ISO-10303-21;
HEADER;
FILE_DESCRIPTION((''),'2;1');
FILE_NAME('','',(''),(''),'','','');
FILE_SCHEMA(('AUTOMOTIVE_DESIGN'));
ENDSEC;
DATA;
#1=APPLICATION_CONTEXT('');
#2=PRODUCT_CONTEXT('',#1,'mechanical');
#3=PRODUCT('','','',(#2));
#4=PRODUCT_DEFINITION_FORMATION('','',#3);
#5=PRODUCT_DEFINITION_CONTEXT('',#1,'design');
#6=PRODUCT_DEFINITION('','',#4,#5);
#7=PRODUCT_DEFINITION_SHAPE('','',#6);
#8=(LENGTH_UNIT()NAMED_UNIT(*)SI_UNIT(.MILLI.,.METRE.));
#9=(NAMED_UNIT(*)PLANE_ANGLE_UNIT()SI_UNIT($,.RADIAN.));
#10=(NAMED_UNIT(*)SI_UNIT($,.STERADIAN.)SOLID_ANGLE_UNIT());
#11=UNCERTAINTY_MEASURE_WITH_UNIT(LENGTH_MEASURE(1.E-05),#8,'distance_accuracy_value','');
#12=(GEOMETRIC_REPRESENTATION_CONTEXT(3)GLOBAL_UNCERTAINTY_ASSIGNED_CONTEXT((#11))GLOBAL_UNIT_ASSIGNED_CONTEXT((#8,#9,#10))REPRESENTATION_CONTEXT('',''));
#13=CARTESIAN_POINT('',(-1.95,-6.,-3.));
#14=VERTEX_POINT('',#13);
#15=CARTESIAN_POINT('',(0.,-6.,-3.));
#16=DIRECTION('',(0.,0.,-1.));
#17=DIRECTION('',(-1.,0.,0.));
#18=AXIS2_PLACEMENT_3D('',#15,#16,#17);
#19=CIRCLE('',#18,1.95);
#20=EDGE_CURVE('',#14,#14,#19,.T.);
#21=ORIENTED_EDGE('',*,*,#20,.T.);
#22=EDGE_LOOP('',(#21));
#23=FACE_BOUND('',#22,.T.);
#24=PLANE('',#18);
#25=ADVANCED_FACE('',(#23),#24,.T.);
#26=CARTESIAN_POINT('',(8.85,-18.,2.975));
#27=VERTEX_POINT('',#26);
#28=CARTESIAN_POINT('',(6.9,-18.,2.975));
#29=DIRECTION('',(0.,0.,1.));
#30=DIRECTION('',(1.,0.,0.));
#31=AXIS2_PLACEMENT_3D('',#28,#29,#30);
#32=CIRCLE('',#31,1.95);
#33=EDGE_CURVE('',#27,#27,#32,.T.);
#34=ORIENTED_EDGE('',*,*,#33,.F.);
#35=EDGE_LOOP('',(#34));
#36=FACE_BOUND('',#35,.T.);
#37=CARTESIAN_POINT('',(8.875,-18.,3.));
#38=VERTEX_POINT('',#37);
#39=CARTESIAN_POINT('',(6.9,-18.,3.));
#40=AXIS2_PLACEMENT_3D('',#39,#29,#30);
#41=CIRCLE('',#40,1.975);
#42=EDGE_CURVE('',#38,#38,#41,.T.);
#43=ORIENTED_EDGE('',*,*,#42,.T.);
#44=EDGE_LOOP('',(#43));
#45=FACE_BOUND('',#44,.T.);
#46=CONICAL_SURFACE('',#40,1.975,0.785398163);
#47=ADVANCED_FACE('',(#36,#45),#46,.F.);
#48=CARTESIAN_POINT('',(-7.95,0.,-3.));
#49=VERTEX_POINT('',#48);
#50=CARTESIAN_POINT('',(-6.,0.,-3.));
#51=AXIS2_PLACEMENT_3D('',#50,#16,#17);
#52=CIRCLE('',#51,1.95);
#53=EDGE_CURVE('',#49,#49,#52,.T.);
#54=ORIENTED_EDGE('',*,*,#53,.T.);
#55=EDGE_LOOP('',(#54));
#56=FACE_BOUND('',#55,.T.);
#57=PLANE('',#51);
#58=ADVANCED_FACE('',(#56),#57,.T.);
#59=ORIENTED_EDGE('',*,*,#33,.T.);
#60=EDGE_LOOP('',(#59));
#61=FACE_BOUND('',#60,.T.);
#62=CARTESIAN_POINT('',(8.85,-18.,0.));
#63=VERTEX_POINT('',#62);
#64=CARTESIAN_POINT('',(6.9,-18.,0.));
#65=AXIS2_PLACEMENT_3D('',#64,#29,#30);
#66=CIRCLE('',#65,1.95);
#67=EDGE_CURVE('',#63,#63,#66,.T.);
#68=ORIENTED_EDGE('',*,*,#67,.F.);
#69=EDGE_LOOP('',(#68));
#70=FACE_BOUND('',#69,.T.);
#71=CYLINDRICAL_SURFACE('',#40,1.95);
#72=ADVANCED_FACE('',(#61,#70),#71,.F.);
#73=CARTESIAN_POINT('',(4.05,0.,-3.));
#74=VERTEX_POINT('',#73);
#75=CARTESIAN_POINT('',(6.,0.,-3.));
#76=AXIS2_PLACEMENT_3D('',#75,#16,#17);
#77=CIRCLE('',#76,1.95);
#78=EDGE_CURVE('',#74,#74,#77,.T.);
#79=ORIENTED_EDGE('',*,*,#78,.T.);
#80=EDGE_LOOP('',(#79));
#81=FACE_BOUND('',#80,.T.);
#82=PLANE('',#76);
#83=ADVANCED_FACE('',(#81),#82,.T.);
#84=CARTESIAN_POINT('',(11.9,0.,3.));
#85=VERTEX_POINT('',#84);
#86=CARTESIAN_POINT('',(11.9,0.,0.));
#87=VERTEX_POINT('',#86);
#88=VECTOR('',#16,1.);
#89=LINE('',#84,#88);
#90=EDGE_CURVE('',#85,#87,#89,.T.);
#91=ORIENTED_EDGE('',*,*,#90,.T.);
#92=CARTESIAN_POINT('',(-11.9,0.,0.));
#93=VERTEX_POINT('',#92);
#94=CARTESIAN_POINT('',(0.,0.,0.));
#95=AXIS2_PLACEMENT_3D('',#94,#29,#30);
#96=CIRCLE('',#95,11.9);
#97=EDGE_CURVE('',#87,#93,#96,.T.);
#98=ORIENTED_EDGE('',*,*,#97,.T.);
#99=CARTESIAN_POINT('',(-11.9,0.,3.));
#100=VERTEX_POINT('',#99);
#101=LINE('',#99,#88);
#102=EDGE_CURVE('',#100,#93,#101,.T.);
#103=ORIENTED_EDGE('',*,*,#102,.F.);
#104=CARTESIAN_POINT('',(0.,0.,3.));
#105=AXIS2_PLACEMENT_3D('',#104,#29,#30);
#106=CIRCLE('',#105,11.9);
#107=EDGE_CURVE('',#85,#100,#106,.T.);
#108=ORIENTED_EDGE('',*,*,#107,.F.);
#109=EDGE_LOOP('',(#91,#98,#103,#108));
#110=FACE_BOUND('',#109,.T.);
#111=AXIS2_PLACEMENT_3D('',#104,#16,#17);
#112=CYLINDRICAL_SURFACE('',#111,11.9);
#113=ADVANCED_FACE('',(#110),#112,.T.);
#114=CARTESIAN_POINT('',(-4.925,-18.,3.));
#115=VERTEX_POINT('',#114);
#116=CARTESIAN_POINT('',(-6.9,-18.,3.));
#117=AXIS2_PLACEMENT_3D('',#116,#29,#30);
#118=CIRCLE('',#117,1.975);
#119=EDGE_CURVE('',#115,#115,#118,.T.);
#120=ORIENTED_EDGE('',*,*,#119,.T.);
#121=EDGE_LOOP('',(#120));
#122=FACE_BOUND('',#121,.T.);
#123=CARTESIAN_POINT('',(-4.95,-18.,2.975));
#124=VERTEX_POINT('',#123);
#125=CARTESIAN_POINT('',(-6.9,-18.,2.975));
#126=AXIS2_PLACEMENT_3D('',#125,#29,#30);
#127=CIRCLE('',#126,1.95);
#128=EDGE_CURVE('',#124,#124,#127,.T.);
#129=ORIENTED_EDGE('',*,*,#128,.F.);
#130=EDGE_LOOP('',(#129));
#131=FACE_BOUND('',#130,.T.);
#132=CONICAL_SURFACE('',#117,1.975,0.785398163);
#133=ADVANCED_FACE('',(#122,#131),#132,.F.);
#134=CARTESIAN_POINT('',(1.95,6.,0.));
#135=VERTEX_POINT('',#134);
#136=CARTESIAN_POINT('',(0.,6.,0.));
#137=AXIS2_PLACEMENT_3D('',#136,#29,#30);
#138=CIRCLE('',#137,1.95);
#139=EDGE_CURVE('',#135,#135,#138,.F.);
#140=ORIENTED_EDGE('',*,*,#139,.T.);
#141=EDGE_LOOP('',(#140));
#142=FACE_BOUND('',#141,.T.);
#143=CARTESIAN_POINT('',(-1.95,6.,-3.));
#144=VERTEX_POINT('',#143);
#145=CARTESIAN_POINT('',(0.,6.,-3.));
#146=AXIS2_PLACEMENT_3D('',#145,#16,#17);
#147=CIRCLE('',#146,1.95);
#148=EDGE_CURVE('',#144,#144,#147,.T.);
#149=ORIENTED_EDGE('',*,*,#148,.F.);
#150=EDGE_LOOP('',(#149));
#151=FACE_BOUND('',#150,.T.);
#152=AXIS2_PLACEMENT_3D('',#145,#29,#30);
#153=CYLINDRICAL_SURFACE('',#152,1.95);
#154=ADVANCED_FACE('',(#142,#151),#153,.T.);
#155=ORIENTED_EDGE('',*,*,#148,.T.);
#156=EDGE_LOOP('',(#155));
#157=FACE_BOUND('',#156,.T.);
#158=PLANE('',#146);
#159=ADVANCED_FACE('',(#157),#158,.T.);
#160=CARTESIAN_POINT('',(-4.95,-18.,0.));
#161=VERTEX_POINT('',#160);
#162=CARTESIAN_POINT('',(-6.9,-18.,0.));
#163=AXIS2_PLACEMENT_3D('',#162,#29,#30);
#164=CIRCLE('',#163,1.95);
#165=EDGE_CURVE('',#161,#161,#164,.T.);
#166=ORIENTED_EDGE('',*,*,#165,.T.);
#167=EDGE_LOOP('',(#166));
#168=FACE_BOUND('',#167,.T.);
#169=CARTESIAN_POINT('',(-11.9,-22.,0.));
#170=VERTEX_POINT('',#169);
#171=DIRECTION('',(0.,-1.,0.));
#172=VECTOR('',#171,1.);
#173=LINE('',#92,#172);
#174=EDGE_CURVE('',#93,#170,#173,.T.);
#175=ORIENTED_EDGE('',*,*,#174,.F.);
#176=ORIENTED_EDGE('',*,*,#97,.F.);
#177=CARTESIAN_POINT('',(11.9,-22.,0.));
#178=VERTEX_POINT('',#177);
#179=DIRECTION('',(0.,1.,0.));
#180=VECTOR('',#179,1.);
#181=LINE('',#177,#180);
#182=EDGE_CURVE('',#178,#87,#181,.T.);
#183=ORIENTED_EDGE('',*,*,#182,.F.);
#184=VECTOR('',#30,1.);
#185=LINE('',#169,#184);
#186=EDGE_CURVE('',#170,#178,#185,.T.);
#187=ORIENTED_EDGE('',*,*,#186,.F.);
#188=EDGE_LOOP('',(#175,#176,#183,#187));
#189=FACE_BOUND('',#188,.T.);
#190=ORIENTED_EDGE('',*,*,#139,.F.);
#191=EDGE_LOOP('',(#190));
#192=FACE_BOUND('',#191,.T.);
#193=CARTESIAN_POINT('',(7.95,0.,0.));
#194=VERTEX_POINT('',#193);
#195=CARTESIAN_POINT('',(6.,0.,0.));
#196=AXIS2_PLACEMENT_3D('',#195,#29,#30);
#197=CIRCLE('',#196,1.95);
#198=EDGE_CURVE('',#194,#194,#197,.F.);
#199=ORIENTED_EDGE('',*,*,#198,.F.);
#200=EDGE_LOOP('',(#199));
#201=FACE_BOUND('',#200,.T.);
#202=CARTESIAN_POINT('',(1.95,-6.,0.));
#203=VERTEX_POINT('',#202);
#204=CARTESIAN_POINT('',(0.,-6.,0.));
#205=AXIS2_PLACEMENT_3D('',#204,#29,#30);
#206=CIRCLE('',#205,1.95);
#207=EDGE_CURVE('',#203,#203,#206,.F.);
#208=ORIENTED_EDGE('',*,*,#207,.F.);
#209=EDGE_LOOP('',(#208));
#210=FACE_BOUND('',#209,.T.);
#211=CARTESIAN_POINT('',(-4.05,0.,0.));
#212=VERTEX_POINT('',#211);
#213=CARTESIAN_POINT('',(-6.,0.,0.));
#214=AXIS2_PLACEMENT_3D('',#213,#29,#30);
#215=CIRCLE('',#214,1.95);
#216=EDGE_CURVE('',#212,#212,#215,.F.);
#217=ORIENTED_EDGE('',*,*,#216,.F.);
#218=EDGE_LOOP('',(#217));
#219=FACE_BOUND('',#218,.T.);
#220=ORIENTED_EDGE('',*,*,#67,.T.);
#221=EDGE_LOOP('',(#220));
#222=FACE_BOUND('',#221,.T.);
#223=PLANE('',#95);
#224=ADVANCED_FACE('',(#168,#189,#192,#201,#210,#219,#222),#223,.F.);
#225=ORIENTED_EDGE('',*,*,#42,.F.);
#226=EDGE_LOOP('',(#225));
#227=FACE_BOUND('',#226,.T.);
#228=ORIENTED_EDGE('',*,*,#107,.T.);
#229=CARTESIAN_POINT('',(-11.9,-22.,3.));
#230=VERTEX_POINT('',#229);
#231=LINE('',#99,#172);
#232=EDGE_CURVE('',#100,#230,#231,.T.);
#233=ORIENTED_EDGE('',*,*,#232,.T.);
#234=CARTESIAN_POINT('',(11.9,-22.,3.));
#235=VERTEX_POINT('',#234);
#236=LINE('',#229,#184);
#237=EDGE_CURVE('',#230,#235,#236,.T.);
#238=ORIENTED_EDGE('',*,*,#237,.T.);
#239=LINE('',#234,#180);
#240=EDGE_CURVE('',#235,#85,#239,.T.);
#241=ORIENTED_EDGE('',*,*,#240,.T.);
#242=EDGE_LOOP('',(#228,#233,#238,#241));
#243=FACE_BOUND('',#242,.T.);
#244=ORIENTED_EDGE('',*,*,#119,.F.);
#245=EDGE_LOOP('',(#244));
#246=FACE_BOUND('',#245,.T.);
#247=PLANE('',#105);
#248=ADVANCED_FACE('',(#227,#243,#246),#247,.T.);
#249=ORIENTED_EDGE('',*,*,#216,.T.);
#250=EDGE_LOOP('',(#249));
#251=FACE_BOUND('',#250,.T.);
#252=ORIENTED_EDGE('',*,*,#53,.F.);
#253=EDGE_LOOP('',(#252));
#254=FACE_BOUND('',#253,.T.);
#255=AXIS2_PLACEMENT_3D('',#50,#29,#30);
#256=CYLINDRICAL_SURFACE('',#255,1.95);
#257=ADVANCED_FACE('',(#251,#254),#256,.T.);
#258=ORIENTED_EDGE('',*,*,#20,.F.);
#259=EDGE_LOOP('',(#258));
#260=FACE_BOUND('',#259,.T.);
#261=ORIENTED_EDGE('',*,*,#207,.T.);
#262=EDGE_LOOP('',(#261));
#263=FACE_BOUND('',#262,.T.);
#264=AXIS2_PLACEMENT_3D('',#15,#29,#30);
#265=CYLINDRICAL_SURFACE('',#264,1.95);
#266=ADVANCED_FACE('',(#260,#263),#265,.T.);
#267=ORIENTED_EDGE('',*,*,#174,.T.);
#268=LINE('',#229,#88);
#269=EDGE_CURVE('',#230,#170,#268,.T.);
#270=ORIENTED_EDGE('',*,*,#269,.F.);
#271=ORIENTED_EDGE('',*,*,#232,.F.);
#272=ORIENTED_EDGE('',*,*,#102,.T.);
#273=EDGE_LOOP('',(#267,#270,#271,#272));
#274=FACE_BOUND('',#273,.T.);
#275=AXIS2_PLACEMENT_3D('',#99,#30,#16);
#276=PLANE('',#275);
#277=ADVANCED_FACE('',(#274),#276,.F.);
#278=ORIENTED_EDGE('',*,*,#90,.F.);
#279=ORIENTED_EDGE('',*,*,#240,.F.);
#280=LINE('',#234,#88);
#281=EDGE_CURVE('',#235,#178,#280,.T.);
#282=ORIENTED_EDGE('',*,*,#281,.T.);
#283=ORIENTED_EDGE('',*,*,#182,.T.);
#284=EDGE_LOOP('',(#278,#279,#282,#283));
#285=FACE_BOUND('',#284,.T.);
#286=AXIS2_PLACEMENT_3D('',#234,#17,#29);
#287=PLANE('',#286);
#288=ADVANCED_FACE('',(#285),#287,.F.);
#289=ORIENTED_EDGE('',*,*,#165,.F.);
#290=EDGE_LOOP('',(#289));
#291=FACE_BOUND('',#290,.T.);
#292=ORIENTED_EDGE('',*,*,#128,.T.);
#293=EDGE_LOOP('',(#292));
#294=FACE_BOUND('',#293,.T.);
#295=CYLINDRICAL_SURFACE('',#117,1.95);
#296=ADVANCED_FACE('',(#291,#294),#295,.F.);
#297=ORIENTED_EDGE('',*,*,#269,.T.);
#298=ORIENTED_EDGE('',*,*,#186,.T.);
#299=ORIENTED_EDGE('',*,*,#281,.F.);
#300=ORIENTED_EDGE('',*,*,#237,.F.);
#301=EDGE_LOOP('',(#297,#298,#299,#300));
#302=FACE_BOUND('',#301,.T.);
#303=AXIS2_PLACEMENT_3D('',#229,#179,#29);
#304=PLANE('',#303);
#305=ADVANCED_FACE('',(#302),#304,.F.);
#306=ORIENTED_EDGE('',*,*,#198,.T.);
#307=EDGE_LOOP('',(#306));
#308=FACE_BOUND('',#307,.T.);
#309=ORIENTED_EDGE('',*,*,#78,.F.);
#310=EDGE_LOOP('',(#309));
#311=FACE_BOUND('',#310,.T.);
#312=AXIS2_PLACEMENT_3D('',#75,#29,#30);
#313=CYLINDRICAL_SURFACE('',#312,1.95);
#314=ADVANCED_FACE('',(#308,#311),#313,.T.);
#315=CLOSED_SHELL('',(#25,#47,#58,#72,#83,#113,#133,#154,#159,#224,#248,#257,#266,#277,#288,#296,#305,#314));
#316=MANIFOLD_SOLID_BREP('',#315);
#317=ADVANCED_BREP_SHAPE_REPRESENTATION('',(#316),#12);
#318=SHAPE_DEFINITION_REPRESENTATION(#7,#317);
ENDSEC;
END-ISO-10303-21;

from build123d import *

# Parameters (mm, degrees)
BOSS_EXTRUDE1_DEPTH              = 3
SKETCH2_R                        = 1.95
BOSS_EXTRUDE2_DEPTH              = 3
M3_5_CLEARANCE_HOLE1_D           = 3.9
M3_5_CLEARANCE_HOLE1_CSINK_D     = 3.95
M3_5_CLEARANCE_HOLE1_CSINK_ANGLE = 90


with BuildPart() as part:
    # Sketch1 → Boss-Extrude1 (new body)
    with BuildSketch(Plane.XY):
        with BuildLine():
            Line((-11.9, 0), (-11.9, -22))
            Line((-11.9, -22), (11.9, -22))
            Line((11.9, -22), (11.9, 0))
            ThreePointArc((11.9, 0), (0, 11.9), (-11.9, 0))
        make_face()
    extrude(amount=BOSS_EXTRUDE1_DEPTH)

    # Sketch2 → Boss-Extrude2 (add)
    with BuildSketch(Plane(origin=(0, 0, 0), x_dir=(-1, 0, 0), z_dir=(0, 0, -1))):
        with Locations(Location((0, 6, 0), (0, 0, 180))):
            Circle(SKETCH2_R)
        with Locations(Location((6, 0, 0), (0, 0, 180))):
            Circle(SKETCH2_R)
        with Locations(Location((0, -6, 0), (0, 0, 180))):
            Circle(SKETCH2_R)
        with Locations(Location((-6, 0, 0), (0, 0, 180))):
            Circle(SKETCH2_R)
    extrude(amount=BOSS_EXTRUDE2_DEPTH)

    # M3.5 Clearance Hole1 (through all)
    with Locations(Plane.XY.offset(3)):
        with Locations((6.9, -18), (-6.9, -18)):
            CounterSinkHole(M3_5_CLEARANCE_HOLE1_D / 2, M3_5_CLEARANCE_HOLE1_CSINK_D / 2, counter_sink_angle=M3_5_CLEARANCE_HOLE1_CSINK_ANGLE)


solid = part.part
